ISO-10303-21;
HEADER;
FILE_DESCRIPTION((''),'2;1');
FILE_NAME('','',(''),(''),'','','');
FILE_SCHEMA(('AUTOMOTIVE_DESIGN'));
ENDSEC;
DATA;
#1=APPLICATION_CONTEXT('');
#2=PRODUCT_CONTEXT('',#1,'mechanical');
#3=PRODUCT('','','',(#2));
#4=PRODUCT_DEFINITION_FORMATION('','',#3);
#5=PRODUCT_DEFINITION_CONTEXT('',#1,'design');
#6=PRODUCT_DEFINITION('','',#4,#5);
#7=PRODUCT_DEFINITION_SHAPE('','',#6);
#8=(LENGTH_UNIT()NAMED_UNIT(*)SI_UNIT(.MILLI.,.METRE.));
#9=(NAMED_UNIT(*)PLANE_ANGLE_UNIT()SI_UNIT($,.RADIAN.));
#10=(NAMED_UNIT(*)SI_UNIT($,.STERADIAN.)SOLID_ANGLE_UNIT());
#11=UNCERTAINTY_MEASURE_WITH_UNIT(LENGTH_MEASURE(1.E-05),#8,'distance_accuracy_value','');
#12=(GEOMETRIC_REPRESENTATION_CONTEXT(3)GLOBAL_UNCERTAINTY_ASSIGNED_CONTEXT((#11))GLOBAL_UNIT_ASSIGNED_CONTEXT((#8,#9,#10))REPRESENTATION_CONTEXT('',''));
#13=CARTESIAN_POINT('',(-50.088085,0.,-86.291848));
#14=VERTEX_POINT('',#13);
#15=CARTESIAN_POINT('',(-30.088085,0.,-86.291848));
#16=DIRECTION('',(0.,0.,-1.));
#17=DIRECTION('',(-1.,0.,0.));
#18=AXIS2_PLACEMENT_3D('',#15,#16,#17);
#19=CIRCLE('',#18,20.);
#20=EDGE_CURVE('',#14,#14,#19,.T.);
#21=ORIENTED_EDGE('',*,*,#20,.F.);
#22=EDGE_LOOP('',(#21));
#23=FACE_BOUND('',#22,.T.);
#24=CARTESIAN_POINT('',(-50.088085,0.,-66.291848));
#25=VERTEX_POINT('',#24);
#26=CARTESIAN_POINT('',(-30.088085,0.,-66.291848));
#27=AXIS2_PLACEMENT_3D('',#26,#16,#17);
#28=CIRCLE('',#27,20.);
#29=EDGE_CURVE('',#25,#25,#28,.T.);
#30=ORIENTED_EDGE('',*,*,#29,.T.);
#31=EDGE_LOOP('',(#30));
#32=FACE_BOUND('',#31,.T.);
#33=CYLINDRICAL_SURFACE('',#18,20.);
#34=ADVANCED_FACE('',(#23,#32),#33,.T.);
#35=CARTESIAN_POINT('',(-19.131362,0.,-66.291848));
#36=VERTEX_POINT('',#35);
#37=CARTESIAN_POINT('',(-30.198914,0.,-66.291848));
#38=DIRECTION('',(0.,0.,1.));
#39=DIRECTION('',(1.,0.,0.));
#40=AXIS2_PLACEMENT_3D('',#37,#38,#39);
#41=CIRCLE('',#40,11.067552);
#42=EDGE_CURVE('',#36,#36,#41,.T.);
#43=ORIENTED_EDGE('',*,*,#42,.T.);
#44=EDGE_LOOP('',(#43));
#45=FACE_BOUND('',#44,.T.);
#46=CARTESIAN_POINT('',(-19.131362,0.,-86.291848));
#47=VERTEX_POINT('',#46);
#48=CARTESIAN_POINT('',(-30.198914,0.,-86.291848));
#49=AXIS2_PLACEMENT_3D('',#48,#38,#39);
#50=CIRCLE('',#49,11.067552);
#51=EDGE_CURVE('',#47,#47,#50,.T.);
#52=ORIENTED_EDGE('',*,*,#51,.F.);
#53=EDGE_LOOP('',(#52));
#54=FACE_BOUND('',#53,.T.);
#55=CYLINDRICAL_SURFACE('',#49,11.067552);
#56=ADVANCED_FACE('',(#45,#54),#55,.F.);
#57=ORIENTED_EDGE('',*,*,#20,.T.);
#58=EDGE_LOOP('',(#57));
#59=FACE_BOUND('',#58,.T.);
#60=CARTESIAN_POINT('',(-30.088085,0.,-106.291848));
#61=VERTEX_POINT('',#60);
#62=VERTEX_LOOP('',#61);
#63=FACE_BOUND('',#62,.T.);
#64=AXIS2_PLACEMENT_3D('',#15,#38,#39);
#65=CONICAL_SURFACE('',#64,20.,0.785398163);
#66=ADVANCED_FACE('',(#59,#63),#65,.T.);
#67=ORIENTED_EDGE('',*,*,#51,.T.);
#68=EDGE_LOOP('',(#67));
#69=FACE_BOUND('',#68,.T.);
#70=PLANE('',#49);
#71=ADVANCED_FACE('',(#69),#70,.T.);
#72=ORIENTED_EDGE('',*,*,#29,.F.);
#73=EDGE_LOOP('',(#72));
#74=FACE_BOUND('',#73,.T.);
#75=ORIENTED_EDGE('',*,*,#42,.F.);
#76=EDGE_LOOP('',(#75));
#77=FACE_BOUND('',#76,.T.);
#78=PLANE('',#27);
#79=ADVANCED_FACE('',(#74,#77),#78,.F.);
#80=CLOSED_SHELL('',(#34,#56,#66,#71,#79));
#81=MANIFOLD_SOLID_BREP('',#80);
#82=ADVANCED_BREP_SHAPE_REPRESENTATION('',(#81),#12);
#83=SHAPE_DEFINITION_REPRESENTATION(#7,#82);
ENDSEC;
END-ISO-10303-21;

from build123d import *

# Parameters (mm, degrees)
SKETCH2_R          = 11.067551778
CUT_EXTRUDE1_DEPTH = 20


with BuildPart() as part:
    # Sketch1 → Revolve1 (revolve)
    with BuildSketch(Plane(origin=(0, 0, 0), x_dir=(1, 0, 0), z_dir=(0, 1, 0))):
        Polygon((-30.088085187, 106.291847852), (-30.088085187, 86.291847852), (-30.088085187, 66.291847852), (-10.088085187, 66.291847852), (-10.088085187, 86.291847852), align=None)
    revolve(axis=Axis((-30.088085187, 0, -86.291847852), (0, 0, 1)))

    # Sketch2 → Cut-Extrude1 (cut)
    with BuildSketch(Plane.XY.offset(-66.291847852)):
        with Locations((-30.198913781, 0)):
            Circle(SKETCH2_R)
    extrude(amount=-CUT_EXTRUDE1_DEPTH, mode=Mode.SUBTRACT)


solid = part.part
